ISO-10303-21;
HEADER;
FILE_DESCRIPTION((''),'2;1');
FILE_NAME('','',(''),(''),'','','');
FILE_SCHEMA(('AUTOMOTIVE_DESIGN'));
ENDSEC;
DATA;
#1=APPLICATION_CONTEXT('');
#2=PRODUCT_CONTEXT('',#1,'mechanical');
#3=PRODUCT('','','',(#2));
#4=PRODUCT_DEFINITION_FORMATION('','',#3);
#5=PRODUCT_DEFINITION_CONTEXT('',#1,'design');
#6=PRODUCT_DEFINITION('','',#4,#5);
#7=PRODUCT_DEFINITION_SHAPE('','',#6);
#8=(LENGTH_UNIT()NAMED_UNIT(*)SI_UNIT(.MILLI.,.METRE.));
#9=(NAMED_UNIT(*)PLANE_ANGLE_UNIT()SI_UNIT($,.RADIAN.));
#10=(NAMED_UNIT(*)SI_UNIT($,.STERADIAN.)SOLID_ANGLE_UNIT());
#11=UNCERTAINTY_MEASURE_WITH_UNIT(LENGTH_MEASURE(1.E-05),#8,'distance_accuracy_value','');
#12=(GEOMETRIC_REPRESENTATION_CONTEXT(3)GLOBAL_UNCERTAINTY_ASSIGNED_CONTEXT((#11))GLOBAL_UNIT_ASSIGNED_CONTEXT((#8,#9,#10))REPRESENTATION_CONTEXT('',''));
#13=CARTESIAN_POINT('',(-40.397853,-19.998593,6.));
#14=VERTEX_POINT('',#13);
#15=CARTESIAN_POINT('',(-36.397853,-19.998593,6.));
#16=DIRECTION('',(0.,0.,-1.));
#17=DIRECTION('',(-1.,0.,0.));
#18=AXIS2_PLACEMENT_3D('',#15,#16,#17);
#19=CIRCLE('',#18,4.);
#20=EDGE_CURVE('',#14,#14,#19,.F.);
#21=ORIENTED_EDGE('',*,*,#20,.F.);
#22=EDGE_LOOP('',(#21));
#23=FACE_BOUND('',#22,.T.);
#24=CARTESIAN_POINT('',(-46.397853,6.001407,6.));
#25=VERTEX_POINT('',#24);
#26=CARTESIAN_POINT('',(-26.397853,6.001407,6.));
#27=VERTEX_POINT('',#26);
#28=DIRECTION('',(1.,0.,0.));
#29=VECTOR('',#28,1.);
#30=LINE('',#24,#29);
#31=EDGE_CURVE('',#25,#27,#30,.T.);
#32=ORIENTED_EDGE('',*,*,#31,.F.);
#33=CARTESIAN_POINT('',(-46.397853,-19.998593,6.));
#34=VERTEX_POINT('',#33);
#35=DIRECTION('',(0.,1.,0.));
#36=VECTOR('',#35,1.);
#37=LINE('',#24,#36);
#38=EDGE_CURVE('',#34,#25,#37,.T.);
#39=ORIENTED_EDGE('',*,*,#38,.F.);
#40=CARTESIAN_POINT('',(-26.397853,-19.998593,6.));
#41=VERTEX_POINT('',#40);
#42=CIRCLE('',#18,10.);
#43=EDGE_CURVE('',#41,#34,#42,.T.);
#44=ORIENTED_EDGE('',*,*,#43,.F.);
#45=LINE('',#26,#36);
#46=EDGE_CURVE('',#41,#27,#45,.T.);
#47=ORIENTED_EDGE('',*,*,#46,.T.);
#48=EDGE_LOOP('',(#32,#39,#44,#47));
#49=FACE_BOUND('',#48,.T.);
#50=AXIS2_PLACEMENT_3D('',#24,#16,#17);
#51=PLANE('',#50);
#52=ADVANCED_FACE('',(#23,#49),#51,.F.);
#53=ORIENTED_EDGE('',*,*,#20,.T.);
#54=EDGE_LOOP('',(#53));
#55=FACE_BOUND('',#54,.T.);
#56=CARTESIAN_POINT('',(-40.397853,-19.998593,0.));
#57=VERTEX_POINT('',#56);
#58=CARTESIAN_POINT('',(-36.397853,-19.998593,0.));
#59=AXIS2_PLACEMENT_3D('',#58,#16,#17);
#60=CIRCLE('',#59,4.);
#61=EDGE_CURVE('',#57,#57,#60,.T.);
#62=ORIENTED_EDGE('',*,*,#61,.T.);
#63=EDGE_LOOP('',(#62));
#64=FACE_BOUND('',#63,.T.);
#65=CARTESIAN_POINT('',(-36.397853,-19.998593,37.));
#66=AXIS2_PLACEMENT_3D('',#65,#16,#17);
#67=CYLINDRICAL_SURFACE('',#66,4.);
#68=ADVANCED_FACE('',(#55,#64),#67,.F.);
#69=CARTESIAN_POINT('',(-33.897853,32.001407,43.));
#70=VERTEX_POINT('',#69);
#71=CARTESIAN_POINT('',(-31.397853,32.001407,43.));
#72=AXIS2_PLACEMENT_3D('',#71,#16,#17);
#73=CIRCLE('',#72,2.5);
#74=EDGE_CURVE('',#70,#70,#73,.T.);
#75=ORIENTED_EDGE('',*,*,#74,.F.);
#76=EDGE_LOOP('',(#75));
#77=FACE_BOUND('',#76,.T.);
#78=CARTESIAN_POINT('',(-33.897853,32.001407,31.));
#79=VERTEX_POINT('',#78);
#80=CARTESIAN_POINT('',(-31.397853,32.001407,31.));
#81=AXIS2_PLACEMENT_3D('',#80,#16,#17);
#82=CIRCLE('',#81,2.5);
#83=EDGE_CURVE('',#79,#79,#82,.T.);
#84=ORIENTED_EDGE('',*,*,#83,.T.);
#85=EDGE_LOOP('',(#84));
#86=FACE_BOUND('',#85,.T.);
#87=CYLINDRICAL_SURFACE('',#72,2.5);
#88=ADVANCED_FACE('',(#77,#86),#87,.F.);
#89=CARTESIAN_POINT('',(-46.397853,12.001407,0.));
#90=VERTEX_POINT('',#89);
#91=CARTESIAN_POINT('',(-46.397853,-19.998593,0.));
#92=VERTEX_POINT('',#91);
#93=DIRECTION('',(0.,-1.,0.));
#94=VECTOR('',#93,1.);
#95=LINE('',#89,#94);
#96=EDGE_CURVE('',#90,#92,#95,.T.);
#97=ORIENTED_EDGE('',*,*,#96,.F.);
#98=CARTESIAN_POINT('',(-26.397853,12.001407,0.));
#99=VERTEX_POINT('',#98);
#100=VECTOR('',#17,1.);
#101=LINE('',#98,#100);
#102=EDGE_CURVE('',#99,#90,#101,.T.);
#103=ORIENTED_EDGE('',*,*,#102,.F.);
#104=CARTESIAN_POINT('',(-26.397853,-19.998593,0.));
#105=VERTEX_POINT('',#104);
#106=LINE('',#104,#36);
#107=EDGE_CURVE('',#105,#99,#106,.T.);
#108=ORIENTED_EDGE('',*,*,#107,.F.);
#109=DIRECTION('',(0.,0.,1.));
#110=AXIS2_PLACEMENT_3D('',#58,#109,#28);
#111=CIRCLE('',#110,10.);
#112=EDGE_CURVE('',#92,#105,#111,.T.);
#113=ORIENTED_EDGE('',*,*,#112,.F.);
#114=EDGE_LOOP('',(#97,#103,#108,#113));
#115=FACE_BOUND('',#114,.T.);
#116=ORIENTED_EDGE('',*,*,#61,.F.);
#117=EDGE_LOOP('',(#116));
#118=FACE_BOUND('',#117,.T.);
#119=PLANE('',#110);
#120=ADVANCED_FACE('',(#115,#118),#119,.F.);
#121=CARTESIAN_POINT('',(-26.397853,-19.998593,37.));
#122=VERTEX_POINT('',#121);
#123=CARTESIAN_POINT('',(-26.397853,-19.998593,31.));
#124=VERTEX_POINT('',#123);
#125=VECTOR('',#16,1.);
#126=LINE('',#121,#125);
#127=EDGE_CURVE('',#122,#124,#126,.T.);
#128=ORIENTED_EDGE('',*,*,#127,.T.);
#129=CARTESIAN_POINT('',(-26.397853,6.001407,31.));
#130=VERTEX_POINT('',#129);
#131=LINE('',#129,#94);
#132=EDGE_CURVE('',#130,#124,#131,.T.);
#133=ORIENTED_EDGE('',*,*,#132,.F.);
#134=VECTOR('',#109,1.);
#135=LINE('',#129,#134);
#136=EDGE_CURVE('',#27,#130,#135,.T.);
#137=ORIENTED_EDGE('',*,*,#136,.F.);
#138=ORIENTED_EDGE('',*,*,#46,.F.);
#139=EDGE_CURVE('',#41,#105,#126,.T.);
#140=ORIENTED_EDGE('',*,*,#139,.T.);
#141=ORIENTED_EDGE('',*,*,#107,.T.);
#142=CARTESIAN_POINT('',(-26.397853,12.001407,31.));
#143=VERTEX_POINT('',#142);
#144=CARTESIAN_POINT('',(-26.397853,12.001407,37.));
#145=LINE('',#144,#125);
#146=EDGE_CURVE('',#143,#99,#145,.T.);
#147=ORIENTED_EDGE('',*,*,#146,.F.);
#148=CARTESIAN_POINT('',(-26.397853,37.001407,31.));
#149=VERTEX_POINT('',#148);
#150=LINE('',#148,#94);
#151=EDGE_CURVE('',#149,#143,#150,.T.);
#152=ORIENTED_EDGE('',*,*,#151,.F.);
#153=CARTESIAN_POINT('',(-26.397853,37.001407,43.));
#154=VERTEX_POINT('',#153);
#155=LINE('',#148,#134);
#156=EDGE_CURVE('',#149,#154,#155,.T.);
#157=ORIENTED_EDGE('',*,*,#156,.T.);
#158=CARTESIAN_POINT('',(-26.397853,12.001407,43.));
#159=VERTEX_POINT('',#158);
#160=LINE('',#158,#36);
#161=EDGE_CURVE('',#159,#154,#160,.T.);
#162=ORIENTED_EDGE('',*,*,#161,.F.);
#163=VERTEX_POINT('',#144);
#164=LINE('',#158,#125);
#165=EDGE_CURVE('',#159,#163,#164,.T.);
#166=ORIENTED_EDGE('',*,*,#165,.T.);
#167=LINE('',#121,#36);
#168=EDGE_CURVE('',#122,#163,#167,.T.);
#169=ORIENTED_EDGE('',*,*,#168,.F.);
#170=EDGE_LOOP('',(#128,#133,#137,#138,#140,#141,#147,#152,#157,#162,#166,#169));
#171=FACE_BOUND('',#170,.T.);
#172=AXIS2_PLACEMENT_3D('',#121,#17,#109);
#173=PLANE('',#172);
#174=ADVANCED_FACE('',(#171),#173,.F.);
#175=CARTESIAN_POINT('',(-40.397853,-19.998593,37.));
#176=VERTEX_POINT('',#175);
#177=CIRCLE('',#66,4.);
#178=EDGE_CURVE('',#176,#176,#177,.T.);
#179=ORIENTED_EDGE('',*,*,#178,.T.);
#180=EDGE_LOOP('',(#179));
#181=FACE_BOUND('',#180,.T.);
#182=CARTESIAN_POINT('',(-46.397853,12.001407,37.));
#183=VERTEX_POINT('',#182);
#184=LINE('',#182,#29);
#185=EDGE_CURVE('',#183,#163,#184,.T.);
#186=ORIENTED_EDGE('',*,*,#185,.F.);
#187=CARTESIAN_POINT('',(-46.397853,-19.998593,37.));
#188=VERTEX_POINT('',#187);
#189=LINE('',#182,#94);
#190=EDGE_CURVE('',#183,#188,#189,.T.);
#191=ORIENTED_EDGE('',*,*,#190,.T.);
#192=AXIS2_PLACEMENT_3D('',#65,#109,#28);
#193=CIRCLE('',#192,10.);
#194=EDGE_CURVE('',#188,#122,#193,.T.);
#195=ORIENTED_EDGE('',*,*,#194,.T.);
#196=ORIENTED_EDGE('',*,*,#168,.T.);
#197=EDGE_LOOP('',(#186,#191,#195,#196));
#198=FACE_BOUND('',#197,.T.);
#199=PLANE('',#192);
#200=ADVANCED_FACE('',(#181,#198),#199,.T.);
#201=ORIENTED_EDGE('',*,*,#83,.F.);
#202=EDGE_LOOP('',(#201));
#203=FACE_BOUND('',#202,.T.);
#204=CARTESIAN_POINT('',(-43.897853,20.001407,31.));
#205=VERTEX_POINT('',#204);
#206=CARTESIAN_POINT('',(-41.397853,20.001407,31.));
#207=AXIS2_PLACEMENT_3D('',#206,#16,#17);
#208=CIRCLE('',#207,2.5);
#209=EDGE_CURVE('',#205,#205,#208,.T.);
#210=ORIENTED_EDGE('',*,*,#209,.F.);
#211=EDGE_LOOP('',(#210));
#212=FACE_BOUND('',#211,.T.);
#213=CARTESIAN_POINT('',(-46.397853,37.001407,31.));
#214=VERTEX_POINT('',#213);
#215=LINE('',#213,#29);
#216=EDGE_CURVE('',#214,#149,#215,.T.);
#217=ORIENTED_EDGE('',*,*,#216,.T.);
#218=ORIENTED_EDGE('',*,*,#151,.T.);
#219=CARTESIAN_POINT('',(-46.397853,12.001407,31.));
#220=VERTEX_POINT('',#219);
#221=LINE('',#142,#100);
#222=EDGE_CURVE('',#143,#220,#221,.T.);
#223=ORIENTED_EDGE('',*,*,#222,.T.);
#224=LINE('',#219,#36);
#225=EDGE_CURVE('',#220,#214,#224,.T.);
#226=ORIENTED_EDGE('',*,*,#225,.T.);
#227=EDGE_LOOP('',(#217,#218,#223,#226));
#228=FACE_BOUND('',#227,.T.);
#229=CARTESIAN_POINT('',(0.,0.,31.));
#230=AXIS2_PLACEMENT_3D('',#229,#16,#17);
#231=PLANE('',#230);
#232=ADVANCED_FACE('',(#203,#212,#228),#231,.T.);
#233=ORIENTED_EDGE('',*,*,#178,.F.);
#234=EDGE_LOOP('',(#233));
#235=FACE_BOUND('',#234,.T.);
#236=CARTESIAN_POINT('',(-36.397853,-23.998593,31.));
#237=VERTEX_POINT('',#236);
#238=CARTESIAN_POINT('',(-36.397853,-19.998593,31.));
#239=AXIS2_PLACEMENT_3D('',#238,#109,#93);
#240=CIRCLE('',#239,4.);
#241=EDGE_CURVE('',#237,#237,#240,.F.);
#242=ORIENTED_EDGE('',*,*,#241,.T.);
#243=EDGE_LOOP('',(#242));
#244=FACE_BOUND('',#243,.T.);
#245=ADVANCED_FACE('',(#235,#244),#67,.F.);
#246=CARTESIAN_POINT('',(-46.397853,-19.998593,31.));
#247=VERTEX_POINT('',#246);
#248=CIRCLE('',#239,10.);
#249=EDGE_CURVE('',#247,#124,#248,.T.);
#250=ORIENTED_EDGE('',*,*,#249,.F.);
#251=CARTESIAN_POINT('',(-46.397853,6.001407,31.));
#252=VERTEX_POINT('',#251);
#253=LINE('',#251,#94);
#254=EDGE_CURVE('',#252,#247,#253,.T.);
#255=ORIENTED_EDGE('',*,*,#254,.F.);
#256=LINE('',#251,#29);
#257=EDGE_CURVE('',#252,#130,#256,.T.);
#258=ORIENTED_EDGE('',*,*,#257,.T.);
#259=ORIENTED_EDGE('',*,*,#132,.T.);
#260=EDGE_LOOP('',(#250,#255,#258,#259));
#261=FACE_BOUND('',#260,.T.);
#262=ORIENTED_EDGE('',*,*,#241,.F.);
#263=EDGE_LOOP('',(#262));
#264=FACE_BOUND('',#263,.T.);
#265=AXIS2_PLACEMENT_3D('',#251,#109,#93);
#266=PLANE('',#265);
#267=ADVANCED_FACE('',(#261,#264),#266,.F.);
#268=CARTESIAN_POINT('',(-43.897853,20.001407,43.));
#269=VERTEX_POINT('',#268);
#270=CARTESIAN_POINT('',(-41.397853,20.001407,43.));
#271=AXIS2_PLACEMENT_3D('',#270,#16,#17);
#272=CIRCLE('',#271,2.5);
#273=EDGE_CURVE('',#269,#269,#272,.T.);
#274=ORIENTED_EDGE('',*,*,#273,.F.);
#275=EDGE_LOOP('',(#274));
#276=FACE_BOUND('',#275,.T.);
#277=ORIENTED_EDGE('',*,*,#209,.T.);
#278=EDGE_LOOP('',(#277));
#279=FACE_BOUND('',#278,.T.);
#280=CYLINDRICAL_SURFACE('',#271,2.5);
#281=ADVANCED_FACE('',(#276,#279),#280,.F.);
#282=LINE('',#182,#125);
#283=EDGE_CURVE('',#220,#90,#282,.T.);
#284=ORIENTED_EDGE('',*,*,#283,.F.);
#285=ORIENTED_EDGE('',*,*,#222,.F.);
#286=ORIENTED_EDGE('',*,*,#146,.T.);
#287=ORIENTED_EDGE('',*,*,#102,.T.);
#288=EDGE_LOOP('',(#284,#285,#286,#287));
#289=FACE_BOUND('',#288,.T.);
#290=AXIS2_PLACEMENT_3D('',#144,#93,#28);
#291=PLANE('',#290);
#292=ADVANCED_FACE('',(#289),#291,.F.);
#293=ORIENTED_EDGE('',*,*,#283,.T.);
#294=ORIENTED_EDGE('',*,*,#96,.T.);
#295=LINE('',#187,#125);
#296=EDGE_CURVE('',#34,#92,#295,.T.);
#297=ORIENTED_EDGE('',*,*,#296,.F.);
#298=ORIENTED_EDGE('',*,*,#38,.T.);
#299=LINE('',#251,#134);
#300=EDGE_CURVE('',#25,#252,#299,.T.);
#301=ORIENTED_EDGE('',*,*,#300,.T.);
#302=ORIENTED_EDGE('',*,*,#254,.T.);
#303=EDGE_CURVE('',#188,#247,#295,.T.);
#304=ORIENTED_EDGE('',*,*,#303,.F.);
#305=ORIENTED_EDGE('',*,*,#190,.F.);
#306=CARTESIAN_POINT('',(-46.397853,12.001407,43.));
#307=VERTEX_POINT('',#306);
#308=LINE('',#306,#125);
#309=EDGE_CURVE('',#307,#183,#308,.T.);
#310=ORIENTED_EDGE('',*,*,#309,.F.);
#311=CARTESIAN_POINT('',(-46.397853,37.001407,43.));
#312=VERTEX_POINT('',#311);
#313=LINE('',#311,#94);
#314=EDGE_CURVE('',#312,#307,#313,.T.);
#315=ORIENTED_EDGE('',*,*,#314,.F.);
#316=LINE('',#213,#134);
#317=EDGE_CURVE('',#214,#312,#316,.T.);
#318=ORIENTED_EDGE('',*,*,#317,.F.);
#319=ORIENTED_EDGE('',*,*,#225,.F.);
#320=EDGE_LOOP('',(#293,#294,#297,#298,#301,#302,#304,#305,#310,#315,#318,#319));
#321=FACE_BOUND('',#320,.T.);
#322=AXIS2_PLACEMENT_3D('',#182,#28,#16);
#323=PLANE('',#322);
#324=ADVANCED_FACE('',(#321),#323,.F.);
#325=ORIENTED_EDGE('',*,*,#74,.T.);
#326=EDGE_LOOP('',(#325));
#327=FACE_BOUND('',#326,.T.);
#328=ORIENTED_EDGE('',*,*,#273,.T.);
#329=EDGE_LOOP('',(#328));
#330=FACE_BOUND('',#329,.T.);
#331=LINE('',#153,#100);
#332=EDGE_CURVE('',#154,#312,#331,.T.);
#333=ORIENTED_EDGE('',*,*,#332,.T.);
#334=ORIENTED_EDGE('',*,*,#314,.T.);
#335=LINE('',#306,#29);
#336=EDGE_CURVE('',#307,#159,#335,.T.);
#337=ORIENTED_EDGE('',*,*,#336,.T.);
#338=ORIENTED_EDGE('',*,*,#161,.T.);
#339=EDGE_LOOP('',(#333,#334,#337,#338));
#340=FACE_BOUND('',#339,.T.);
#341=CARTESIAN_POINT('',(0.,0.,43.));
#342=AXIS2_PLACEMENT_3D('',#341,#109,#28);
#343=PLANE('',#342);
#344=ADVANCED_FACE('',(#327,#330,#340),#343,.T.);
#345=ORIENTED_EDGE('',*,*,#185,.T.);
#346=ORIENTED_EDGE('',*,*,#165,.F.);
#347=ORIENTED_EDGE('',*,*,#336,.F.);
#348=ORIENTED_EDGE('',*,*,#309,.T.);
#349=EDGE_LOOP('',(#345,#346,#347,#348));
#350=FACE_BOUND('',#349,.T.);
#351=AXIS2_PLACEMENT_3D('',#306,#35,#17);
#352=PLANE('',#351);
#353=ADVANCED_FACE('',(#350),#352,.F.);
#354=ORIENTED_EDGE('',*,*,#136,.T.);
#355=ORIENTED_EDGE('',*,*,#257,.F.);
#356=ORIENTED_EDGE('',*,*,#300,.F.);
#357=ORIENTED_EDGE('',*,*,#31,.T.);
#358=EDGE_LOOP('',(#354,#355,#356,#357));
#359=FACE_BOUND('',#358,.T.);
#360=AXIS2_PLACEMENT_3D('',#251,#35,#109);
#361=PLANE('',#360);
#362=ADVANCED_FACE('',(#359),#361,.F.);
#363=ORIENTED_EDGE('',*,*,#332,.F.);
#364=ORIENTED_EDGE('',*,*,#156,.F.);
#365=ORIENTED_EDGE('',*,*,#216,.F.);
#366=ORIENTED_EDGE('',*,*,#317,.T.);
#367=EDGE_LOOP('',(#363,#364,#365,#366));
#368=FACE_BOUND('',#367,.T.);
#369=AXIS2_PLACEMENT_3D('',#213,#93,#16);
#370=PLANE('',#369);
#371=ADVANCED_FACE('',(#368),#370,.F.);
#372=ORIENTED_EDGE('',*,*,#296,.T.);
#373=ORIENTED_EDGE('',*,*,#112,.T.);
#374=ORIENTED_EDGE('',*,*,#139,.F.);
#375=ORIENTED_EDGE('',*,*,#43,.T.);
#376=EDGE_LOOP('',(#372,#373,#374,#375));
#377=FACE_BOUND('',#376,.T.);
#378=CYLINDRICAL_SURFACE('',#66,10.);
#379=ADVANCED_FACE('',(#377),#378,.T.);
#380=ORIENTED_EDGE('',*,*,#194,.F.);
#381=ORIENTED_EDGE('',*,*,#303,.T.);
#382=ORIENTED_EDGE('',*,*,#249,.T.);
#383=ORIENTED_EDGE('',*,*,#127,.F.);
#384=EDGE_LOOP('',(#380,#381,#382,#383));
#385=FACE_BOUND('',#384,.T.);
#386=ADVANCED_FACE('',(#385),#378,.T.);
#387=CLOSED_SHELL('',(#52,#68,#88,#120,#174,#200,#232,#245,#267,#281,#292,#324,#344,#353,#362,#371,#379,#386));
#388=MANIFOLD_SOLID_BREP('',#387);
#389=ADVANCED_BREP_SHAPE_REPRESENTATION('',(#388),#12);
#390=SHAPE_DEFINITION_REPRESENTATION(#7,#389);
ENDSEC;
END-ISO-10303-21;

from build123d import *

# Parameters (mm, degrees)
EXTRUDE_1_DEPTH     = 37
SKETCH_5_R          = 4
CUT_EXTRUDE_1_DEPTH = 67.495686501
SKETCH_6_W          = 25
SKETCH_6_H          = 39.826286975
CUT_EXTRUDE_2_DEPTH = 52.661548552
SKETCH_8_W          = 20
SKETCH_8_H          = 25
EXTRUDE_5_DEPTH     = 6
SKETCH_8_3_W        = 20
SKETCH_8_3_H        = 25
EXTRUDE_6_DEPTH     = 6
SKETCH_10_W         = 20
SKETCH_10_H         = 25
EXTRUDE_7_DEPTH     = 6
SKETCH_11_R         = 2.5
CUT_EXTRUDE_3_DEPTH = 67.954199448


with BuildPart() as part:
    # 草图1 → 凸台-拉伸1 (new body)
    with BuildSketch(Plane.XY):
        with BuildLine():
            Line((-26.397852585, -19.99859328), (-26.397852585, 12.00140672))
            Line((-26.397852585, 12.00140672), (-46.397852585, 12.00140672))
            Line((-46.397852585, 12.00140672), (-46.397852585, -19.99859328))
            ThreePointArc((-46.397852585, -19.99859328), (-36.397852585, -29.99859328), (-26.397852585, -19.99859328))
        make_face()
    extrude(amount=EXTRUDE_1_DEPTH)

    # 草图5 → 切除-拉伸1 (cut, through all)
    with BuildSketch(Plane(origin=(0, 0, 0), x_dir=(-1, 0, 0), z_dir=(0, 0, -1))):
        with Locations((36.397852585, -19.99859328)):
            Circle(SKETCH_5_R)
    extrude(amount=-CUT_EXTRUDE_1_DEPTH, mode=Mode.SUBTRACT)

    # 草图6 → 切除-拉伸2 (cut, through all)
    with BuildSketch(Plane(origin=(-26.397852585, 0, 0), x_dir=(0, 0, -1), z_dir=(1, 0, 0))):
        with Locations((-18.5, -13.911736768)):
            Rectangle(SKETCH_6_W, SKETCH_6_H)
    extrude(amount=-CUT_EXTRUDE_2_DEPTH, mode=Mode.SUBTRACT)



with BuildPart() as body_2:
    # 草图8 → 凸台-拉伸5 (new body)
    with BuildSketch(Plane.XY.offset(37)):
        with Locations((-36.397852585, 24.50140672)):
            Rectangle(SKETCH_8_W, SKETCH_8_H)
    extrude(amount=EXTRUDE_5_DEPTH)

    # 草图8<3> → 凸台-拉伸6 (add)
    with BuildSketch(Plane.XY.offset(37)):
        with Locations((-36.397852585, 24.50140672)):
            Rectangle(SKETCH_8_3_W, SKETCH_8_3_H)
    extrude(amount=EXTRUDE_6_DEPTH)


with BuildPart() as part_1:
    add(part.part)

    add(body_2.part)  # 凸台-拉伸7 merges body 2
    # 草图10 → 凸台-拉伸7 (add)
    with BuildSketch(Plane(origin=(0, 0, 37), x_dir=(-1, 0, 0), z_dir=(0, 0, -1))):
        with Locations((36.397852585, 24.50140672)):
            Rectangle(SKETCH_10_W, SKETCH_10_H)
    extrude(amount=EXTRUDE_7_DEPTH)

    # 草图11 → 切除-拉伸3 (cut, through all)
    with BuildSketch(Plane(origin=(0, 0, 31), x_dir=(-1, 0, 0), z_dir=(0, 0, -1))):
        with Locations((31.397852585, 32.00140672)):
            Circle(SKETCH_11_R)
        with Locations((41.397852585, 20.00140672)):
            Circle(SKETCH_11_R)
    extrude(amount=-CUT_EXTRUDE_3_DEPTH, mode=Mode.SUBTRACT)


solid = part_1.part
